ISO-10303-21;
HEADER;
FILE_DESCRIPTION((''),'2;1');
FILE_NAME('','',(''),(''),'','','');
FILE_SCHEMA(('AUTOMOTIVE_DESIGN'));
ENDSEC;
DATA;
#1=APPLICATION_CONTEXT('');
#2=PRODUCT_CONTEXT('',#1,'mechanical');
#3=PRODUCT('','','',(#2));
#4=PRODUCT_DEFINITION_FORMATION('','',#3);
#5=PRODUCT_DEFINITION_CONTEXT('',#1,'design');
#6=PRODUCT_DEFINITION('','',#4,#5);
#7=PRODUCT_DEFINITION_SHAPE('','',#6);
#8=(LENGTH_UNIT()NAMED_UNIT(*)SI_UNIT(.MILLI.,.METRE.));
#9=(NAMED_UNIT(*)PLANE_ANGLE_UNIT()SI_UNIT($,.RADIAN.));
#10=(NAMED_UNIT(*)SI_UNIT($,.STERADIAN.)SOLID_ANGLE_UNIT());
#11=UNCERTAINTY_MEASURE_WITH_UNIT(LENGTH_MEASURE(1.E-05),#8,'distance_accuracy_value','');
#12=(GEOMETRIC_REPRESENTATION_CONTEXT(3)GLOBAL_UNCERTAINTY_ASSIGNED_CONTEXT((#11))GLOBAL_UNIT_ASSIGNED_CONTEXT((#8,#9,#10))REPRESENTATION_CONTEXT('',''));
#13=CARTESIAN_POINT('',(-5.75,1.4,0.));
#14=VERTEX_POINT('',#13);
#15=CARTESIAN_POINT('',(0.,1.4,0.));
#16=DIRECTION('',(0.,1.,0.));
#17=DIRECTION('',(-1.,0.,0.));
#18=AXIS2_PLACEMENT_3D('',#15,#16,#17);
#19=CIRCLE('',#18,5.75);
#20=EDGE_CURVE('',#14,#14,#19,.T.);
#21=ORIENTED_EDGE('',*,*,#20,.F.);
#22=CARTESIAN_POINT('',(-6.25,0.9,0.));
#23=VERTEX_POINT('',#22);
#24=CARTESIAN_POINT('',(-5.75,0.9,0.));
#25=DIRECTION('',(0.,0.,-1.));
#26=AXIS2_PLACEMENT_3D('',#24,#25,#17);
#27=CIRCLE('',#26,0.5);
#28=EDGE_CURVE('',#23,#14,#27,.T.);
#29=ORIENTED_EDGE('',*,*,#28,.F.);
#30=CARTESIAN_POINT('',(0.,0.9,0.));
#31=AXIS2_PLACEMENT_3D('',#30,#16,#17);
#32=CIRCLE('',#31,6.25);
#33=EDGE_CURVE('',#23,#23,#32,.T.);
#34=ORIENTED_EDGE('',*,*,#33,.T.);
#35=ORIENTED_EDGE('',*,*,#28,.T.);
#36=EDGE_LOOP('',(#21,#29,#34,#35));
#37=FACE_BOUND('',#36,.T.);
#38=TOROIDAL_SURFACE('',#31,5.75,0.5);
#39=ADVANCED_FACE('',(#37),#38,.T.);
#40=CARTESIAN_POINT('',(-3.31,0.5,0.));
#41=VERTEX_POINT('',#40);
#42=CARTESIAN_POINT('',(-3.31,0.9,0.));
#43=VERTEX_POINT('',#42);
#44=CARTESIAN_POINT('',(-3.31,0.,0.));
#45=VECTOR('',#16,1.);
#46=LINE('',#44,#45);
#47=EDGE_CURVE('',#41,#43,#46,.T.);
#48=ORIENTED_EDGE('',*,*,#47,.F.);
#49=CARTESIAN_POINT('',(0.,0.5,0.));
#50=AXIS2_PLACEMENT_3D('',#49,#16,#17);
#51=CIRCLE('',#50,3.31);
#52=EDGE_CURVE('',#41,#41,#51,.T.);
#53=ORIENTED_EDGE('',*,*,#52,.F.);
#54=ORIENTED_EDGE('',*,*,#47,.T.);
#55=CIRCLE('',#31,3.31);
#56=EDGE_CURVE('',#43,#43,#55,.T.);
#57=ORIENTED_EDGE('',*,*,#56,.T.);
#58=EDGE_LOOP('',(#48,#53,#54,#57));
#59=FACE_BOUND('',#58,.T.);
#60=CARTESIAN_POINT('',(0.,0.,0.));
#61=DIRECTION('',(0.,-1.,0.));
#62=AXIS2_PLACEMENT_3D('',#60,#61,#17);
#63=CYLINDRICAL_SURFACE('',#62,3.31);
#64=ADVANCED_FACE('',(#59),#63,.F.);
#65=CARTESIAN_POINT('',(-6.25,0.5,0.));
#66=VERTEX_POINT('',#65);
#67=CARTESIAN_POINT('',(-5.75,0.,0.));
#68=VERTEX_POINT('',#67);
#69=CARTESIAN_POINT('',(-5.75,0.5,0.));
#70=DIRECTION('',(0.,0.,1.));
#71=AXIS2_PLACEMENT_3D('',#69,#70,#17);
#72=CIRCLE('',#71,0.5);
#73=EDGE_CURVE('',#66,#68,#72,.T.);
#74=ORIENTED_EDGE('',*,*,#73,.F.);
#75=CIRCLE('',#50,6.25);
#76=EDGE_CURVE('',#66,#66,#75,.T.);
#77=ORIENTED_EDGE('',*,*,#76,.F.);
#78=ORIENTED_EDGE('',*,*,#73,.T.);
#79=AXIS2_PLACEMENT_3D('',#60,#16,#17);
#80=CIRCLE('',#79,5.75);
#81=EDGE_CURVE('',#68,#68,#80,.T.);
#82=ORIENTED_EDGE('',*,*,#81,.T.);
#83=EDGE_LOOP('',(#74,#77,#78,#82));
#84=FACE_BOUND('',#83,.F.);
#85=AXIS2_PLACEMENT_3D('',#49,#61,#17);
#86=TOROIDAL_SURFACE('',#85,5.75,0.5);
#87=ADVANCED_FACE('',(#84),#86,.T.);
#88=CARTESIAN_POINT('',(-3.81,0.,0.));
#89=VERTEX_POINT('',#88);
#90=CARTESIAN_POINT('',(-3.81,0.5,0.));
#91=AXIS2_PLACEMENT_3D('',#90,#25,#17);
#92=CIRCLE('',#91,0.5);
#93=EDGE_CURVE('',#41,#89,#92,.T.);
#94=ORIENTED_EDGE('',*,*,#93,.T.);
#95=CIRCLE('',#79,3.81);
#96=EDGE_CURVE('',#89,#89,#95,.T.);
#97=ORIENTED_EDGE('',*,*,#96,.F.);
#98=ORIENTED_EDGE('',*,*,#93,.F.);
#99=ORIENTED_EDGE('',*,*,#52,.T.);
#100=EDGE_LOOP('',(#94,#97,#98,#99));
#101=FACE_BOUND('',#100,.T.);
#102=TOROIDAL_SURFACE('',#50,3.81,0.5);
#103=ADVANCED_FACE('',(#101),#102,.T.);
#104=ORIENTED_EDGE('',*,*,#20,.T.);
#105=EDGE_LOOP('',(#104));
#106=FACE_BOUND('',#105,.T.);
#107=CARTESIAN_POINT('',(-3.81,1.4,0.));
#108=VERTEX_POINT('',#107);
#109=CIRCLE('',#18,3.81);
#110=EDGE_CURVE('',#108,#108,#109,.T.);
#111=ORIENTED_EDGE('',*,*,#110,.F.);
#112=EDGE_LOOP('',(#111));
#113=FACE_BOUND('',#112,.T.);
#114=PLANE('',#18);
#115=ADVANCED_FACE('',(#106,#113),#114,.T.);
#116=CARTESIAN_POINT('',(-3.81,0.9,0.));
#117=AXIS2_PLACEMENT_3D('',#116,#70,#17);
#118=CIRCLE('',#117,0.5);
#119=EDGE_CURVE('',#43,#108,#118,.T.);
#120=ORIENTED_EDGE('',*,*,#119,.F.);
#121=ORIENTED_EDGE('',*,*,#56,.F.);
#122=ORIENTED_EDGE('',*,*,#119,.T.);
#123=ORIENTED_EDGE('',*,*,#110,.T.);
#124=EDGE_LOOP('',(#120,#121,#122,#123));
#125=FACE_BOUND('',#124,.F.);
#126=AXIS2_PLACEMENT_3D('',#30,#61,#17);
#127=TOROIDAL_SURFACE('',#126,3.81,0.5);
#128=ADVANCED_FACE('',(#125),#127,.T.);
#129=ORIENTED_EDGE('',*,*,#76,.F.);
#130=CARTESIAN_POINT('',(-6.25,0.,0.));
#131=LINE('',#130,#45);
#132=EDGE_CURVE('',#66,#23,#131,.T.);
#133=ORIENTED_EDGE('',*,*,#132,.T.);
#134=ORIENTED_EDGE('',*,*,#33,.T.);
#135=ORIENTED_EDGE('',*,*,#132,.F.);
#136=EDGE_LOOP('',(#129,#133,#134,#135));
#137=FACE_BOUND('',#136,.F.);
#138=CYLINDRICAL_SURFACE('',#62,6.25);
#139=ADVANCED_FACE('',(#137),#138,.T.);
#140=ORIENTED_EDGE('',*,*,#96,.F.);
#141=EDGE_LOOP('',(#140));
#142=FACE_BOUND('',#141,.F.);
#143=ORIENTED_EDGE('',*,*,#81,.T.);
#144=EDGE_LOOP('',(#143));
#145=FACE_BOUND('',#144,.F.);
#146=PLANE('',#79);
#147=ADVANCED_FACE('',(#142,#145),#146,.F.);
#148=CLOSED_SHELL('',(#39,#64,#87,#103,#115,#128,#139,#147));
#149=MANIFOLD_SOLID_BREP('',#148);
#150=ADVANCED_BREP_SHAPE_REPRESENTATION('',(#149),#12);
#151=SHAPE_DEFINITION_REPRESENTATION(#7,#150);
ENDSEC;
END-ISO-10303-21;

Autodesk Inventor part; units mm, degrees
ref_plane "YZ Plane" through (0, 0, 0) normal (1, 0, 0) x (0, 1, 0)
ref_plane "XZ Plane" through (0, 0, 0) normal (0, 1, 0) x (-1, 0, 0)
ref_plane "XY Plane" through (0, 0, 0) normal (0, 0, 1) x (1, 0, 0)
sketch "Esboço1" plane through (0, 0, 0) normal (0, 1, 0) x (-1, 0, 0)
  circle A0 centre (0, 0) radius 3.31
  circle A1 centre (0, 0) radius 6.25
  dimension "d0" = 6.62
  dimension "d1" = 12.5
extrude "Extrusão1" add sketch "Esboço1" along normal blind 1.4
fillet "Arredondamento1" radius 0.5 4 edges at (6.25, 1.4, 0) (6.25, 0, 0) (3.31, 1.4, 0) (3.31, 0, 0)
properties part number "ruela m6" material "Aço, carbono"
